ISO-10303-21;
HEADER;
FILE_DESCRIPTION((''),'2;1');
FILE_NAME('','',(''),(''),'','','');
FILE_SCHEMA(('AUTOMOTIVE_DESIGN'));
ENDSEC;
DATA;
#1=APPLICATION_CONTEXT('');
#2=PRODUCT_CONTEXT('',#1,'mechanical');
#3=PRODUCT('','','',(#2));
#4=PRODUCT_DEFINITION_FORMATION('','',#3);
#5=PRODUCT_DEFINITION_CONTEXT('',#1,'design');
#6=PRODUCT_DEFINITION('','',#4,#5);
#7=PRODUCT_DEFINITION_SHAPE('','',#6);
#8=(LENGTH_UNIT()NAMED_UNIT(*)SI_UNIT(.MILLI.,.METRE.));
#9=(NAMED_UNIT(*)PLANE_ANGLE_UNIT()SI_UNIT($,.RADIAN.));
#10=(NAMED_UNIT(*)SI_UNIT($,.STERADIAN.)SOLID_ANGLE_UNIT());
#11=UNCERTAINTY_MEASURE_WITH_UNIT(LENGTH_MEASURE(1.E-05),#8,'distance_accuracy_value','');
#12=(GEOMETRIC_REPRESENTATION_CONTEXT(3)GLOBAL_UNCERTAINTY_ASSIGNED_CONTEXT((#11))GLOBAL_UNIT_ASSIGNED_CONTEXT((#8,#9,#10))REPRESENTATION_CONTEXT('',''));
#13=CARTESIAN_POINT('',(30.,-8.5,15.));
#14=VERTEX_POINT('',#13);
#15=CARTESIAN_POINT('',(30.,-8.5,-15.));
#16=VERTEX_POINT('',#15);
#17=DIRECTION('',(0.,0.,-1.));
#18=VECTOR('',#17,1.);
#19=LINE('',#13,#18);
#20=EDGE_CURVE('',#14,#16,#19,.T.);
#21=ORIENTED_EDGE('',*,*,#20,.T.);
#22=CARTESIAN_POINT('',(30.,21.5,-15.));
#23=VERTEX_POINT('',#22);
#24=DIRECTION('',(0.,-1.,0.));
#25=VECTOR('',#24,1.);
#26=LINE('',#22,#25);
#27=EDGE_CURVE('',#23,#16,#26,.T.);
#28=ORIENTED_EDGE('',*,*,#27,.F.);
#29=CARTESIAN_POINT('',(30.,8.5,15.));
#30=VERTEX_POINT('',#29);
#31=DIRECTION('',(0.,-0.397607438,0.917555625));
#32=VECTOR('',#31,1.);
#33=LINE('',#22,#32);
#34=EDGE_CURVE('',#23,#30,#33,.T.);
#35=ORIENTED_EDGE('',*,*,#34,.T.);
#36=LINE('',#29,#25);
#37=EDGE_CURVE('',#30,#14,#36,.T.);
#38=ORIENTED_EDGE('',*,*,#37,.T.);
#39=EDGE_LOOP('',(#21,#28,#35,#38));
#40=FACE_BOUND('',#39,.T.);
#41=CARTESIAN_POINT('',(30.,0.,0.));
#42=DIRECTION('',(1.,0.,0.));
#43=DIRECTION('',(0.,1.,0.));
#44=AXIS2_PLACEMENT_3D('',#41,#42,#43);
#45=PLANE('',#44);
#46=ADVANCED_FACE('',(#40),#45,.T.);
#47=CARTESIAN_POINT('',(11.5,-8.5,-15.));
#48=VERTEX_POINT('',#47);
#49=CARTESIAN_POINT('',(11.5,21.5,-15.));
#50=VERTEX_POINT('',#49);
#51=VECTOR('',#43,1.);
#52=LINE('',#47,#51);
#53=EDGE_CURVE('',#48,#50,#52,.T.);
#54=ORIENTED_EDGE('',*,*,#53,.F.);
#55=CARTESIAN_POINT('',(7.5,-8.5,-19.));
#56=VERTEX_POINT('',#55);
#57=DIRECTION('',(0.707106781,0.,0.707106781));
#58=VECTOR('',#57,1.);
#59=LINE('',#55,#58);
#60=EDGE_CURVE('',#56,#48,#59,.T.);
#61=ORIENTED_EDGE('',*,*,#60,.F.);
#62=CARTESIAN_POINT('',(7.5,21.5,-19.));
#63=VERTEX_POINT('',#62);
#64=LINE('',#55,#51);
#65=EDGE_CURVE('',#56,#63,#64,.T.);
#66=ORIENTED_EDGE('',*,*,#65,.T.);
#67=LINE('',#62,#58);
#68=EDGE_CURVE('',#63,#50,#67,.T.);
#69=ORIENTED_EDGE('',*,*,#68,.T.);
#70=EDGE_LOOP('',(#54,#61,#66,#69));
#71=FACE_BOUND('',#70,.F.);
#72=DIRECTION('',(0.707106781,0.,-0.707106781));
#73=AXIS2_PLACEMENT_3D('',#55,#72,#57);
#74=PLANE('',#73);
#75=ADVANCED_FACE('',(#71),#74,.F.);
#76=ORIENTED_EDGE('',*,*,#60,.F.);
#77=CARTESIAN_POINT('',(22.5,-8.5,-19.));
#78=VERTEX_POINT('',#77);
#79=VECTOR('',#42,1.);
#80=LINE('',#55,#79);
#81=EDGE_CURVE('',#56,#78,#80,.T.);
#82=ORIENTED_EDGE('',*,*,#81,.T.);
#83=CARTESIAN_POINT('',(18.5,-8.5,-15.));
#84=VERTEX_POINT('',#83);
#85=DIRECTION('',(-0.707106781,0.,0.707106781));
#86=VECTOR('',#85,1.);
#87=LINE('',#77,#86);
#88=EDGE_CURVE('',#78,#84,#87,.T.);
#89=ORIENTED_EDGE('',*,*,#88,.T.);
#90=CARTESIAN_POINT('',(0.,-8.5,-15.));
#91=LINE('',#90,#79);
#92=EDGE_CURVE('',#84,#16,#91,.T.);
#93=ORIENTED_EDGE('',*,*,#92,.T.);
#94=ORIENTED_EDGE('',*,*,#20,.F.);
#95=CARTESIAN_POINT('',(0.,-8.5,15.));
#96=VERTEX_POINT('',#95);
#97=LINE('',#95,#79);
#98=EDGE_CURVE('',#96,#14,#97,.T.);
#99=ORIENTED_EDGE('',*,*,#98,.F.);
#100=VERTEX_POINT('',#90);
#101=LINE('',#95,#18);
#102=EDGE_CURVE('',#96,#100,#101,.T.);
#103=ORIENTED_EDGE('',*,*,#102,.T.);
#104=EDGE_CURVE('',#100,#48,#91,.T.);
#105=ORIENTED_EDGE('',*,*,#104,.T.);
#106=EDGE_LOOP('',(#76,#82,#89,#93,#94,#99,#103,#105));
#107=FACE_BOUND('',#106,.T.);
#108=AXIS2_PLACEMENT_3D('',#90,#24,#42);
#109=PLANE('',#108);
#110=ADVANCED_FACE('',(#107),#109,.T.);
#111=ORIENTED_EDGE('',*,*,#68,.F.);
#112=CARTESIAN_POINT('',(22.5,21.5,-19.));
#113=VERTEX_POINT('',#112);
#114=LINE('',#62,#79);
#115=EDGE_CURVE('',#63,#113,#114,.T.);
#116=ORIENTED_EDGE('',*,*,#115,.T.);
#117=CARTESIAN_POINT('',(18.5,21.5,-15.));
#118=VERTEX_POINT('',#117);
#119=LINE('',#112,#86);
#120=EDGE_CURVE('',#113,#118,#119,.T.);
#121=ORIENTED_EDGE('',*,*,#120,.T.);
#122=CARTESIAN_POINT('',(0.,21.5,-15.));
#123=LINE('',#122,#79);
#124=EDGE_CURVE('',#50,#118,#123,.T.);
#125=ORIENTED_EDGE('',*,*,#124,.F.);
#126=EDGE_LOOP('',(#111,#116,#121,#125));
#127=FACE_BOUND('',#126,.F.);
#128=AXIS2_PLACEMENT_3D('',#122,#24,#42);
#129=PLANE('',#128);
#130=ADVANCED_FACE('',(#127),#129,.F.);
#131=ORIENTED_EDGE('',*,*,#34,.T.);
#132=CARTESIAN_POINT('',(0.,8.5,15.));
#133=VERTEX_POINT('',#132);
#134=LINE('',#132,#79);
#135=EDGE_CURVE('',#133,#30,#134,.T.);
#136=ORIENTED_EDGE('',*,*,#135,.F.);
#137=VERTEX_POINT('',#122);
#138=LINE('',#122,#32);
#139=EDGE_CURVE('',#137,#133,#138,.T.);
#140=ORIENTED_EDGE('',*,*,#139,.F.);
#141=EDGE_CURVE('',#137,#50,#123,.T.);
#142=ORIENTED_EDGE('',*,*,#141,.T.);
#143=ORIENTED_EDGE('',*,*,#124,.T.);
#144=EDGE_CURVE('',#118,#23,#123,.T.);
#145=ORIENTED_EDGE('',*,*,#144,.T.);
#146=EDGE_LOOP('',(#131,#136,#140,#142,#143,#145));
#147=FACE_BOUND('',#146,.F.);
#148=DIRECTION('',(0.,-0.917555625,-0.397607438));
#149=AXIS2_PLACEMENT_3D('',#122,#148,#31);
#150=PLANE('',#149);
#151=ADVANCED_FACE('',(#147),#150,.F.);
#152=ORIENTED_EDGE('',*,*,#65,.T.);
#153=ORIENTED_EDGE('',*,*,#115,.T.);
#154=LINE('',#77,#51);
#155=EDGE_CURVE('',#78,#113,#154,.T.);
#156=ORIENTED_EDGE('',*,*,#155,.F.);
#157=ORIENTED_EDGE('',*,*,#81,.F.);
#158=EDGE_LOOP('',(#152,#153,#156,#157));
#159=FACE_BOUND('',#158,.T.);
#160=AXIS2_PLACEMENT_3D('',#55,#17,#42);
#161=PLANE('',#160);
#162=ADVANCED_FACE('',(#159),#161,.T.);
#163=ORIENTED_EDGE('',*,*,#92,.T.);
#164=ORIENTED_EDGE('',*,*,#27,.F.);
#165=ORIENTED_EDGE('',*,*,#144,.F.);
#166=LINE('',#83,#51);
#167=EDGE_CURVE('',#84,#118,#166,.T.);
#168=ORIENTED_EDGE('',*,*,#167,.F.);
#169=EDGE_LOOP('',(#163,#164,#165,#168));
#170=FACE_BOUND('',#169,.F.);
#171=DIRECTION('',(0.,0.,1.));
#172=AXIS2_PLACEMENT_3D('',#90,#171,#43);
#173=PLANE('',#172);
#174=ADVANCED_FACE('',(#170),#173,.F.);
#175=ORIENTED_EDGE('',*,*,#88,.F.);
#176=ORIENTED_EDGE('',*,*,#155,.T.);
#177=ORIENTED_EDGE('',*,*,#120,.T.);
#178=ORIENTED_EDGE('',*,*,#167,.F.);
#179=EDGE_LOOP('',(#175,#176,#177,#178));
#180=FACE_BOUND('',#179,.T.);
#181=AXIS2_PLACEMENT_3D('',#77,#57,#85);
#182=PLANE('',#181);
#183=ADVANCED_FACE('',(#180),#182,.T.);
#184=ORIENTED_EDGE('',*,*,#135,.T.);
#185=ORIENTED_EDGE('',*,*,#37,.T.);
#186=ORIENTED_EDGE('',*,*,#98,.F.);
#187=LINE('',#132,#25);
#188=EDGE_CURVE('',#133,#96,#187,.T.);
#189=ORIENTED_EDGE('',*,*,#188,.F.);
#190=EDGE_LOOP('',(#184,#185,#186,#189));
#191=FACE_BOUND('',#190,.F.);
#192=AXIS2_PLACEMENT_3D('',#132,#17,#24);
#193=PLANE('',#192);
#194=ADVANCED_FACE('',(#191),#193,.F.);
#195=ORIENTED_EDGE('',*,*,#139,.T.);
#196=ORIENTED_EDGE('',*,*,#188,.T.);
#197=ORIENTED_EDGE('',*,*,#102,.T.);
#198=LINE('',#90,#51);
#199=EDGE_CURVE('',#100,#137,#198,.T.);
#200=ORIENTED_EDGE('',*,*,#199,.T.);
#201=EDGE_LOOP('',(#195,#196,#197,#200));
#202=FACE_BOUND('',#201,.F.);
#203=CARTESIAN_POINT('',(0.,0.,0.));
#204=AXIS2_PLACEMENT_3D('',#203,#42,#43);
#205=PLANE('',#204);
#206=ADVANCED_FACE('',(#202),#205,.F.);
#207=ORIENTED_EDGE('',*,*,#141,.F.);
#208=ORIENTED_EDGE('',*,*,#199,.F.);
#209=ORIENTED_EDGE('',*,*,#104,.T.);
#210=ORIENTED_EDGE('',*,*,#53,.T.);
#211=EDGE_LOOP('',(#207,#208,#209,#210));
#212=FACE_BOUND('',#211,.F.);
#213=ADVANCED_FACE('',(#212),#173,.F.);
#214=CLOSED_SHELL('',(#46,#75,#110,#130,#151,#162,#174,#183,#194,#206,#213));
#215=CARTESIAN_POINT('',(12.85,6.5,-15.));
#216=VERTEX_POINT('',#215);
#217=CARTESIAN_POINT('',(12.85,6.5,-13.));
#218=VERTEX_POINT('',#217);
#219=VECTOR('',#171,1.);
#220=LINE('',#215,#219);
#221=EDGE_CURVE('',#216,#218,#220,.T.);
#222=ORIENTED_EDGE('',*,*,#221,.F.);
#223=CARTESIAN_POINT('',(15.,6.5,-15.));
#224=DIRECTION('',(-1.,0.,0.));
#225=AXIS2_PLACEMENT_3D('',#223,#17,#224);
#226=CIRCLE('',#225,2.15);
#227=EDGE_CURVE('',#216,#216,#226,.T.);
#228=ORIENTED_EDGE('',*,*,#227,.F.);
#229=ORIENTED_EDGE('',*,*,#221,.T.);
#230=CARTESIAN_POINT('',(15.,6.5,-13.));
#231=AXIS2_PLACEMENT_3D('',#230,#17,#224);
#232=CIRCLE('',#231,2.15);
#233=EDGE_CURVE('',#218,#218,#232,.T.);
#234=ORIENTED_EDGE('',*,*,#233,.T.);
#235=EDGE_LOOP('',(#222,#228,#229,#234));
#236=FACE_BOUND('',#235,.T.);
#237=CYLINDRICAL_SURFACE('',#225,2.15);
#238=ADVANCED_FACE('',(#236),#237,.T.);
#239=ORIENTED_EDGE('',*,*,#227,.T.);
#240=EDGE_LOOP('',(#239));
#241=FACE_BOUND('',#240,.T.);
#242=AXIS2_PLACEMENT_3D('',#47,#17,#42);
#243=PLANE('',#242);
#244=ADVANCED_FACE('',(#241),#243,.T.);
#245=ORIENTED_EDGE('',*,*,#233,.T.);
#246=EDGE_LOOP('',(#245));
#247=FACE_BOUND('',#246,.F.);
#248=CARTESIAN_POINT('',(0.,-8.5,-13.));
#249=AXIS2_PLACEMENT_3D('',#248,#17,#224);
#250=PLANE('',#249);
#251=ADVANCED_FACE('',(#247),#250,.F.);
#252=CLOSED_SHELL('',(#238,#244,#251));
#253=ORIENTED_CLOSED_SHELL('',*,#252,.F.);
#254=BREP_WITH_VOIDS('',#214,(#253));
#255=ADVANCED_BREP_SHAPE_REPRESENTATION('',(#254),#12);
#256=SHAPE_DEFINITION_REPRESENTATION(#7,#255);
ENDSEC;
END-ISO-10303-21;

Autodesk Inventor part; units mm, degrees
ref_plane "YZ Plane" through (0, 0, 0) normal (1, 0, 0) x (0, 1, 0)
ref_plane "XZ Plane" through (0, 0, 0) normal (0, 1, 0) x (-1, 0, 0)
ref_plane "XY Plane" through (0, 0, 0) normal (0, 0, 1) x (1, 0, 0)
sketch "Skizze1" plane through (0, 0, 0) normal (1, 0, 0) x (0, 1, 0)
  line L0 (-8.5, -15) -> (8.5, -15)
  line L1 (8.5, -15) -> (8.5, 15)
  line L2 (8.5, 15) -> (-8.5, 15)
  line L3 (-8.5, 15) -> (-8.5, -15)
  line L4 (-8.5, -15) -> (8.5, 15) construction
  line L5 (8.5, -15) -> (-8.5, 15) construction
  line L6 (-8.5, -15) -> (21.5, -15)
  line L7 (21.5, -15) -> (8.5, 15)
  point P0 (0, 0)
  point P1 (8.5, -15)
  dimension "d0" = 30
  dimension "d1" = 17
  dimension "d3" = 30
extrude "Extrusion1" add sketch "Skizze1" along normal blind 30
sketch "Skizze2" plane through (0, -8.5, -15) normal (0, 0, -1) x (-1, 0, 0)
  line L0 (0, 30) -> (-30, 30) construction
  line L1 (-15, 30) -> (-15, 0) construction
  line L2 (0, 0) -> (-30, 0) construction
  line L3 (0, 17) -> (0, 0) construction
  line L4 (0, 15) -> (-30, 15) construction
  circle A0 centre (-15, 15) radius 2.15
  point P0 (0, 8.5)
  dimension "d6" = 4.3
extrude "Extrusion2" cut sketch "Skizze2" against normal blind 2
sketch "Skizze4" plane through (0, -8.5, -15) normal (0, -1, 0) x (1, 0, 0)
  line L0 (0, 30) -> (30, 30) construction
  line L1 (15, 30) -> (15, 0) construction
  line L2 (17.15, 0) -> (12.85, 0) construction
  line L3 (7.5, 4) -> (22.5, 4)
  line L4 (0, 0) -> (30, 0) projected
  line L5 (0, 30) -> (0, 0) projected
  line L6 (7.5, 4) -> (11.5, 0)
  line L7 (0, 0) -> (30, 0) projected
  line L8 (22.5, 4) -> (18.5, 0)
  line L9 (7.5, -4) -> (22.5, -4)
  line L10 (7.5, -4) -> (11.5, 0)
  line L11 (22.5, -4) -> (18.5, 0)
  point P0 (0, 15)
  dimension "d9" = 4
  dimension "d10" = 15
  dimension "d11" = 7.5
  dimension "d12" = 45
extrude "Extrusion3" add sketch "Skizze4" against normal blind 30 contours L4 L11 L9 L10
properties part number "CarlaRescueRampeTeil2"
